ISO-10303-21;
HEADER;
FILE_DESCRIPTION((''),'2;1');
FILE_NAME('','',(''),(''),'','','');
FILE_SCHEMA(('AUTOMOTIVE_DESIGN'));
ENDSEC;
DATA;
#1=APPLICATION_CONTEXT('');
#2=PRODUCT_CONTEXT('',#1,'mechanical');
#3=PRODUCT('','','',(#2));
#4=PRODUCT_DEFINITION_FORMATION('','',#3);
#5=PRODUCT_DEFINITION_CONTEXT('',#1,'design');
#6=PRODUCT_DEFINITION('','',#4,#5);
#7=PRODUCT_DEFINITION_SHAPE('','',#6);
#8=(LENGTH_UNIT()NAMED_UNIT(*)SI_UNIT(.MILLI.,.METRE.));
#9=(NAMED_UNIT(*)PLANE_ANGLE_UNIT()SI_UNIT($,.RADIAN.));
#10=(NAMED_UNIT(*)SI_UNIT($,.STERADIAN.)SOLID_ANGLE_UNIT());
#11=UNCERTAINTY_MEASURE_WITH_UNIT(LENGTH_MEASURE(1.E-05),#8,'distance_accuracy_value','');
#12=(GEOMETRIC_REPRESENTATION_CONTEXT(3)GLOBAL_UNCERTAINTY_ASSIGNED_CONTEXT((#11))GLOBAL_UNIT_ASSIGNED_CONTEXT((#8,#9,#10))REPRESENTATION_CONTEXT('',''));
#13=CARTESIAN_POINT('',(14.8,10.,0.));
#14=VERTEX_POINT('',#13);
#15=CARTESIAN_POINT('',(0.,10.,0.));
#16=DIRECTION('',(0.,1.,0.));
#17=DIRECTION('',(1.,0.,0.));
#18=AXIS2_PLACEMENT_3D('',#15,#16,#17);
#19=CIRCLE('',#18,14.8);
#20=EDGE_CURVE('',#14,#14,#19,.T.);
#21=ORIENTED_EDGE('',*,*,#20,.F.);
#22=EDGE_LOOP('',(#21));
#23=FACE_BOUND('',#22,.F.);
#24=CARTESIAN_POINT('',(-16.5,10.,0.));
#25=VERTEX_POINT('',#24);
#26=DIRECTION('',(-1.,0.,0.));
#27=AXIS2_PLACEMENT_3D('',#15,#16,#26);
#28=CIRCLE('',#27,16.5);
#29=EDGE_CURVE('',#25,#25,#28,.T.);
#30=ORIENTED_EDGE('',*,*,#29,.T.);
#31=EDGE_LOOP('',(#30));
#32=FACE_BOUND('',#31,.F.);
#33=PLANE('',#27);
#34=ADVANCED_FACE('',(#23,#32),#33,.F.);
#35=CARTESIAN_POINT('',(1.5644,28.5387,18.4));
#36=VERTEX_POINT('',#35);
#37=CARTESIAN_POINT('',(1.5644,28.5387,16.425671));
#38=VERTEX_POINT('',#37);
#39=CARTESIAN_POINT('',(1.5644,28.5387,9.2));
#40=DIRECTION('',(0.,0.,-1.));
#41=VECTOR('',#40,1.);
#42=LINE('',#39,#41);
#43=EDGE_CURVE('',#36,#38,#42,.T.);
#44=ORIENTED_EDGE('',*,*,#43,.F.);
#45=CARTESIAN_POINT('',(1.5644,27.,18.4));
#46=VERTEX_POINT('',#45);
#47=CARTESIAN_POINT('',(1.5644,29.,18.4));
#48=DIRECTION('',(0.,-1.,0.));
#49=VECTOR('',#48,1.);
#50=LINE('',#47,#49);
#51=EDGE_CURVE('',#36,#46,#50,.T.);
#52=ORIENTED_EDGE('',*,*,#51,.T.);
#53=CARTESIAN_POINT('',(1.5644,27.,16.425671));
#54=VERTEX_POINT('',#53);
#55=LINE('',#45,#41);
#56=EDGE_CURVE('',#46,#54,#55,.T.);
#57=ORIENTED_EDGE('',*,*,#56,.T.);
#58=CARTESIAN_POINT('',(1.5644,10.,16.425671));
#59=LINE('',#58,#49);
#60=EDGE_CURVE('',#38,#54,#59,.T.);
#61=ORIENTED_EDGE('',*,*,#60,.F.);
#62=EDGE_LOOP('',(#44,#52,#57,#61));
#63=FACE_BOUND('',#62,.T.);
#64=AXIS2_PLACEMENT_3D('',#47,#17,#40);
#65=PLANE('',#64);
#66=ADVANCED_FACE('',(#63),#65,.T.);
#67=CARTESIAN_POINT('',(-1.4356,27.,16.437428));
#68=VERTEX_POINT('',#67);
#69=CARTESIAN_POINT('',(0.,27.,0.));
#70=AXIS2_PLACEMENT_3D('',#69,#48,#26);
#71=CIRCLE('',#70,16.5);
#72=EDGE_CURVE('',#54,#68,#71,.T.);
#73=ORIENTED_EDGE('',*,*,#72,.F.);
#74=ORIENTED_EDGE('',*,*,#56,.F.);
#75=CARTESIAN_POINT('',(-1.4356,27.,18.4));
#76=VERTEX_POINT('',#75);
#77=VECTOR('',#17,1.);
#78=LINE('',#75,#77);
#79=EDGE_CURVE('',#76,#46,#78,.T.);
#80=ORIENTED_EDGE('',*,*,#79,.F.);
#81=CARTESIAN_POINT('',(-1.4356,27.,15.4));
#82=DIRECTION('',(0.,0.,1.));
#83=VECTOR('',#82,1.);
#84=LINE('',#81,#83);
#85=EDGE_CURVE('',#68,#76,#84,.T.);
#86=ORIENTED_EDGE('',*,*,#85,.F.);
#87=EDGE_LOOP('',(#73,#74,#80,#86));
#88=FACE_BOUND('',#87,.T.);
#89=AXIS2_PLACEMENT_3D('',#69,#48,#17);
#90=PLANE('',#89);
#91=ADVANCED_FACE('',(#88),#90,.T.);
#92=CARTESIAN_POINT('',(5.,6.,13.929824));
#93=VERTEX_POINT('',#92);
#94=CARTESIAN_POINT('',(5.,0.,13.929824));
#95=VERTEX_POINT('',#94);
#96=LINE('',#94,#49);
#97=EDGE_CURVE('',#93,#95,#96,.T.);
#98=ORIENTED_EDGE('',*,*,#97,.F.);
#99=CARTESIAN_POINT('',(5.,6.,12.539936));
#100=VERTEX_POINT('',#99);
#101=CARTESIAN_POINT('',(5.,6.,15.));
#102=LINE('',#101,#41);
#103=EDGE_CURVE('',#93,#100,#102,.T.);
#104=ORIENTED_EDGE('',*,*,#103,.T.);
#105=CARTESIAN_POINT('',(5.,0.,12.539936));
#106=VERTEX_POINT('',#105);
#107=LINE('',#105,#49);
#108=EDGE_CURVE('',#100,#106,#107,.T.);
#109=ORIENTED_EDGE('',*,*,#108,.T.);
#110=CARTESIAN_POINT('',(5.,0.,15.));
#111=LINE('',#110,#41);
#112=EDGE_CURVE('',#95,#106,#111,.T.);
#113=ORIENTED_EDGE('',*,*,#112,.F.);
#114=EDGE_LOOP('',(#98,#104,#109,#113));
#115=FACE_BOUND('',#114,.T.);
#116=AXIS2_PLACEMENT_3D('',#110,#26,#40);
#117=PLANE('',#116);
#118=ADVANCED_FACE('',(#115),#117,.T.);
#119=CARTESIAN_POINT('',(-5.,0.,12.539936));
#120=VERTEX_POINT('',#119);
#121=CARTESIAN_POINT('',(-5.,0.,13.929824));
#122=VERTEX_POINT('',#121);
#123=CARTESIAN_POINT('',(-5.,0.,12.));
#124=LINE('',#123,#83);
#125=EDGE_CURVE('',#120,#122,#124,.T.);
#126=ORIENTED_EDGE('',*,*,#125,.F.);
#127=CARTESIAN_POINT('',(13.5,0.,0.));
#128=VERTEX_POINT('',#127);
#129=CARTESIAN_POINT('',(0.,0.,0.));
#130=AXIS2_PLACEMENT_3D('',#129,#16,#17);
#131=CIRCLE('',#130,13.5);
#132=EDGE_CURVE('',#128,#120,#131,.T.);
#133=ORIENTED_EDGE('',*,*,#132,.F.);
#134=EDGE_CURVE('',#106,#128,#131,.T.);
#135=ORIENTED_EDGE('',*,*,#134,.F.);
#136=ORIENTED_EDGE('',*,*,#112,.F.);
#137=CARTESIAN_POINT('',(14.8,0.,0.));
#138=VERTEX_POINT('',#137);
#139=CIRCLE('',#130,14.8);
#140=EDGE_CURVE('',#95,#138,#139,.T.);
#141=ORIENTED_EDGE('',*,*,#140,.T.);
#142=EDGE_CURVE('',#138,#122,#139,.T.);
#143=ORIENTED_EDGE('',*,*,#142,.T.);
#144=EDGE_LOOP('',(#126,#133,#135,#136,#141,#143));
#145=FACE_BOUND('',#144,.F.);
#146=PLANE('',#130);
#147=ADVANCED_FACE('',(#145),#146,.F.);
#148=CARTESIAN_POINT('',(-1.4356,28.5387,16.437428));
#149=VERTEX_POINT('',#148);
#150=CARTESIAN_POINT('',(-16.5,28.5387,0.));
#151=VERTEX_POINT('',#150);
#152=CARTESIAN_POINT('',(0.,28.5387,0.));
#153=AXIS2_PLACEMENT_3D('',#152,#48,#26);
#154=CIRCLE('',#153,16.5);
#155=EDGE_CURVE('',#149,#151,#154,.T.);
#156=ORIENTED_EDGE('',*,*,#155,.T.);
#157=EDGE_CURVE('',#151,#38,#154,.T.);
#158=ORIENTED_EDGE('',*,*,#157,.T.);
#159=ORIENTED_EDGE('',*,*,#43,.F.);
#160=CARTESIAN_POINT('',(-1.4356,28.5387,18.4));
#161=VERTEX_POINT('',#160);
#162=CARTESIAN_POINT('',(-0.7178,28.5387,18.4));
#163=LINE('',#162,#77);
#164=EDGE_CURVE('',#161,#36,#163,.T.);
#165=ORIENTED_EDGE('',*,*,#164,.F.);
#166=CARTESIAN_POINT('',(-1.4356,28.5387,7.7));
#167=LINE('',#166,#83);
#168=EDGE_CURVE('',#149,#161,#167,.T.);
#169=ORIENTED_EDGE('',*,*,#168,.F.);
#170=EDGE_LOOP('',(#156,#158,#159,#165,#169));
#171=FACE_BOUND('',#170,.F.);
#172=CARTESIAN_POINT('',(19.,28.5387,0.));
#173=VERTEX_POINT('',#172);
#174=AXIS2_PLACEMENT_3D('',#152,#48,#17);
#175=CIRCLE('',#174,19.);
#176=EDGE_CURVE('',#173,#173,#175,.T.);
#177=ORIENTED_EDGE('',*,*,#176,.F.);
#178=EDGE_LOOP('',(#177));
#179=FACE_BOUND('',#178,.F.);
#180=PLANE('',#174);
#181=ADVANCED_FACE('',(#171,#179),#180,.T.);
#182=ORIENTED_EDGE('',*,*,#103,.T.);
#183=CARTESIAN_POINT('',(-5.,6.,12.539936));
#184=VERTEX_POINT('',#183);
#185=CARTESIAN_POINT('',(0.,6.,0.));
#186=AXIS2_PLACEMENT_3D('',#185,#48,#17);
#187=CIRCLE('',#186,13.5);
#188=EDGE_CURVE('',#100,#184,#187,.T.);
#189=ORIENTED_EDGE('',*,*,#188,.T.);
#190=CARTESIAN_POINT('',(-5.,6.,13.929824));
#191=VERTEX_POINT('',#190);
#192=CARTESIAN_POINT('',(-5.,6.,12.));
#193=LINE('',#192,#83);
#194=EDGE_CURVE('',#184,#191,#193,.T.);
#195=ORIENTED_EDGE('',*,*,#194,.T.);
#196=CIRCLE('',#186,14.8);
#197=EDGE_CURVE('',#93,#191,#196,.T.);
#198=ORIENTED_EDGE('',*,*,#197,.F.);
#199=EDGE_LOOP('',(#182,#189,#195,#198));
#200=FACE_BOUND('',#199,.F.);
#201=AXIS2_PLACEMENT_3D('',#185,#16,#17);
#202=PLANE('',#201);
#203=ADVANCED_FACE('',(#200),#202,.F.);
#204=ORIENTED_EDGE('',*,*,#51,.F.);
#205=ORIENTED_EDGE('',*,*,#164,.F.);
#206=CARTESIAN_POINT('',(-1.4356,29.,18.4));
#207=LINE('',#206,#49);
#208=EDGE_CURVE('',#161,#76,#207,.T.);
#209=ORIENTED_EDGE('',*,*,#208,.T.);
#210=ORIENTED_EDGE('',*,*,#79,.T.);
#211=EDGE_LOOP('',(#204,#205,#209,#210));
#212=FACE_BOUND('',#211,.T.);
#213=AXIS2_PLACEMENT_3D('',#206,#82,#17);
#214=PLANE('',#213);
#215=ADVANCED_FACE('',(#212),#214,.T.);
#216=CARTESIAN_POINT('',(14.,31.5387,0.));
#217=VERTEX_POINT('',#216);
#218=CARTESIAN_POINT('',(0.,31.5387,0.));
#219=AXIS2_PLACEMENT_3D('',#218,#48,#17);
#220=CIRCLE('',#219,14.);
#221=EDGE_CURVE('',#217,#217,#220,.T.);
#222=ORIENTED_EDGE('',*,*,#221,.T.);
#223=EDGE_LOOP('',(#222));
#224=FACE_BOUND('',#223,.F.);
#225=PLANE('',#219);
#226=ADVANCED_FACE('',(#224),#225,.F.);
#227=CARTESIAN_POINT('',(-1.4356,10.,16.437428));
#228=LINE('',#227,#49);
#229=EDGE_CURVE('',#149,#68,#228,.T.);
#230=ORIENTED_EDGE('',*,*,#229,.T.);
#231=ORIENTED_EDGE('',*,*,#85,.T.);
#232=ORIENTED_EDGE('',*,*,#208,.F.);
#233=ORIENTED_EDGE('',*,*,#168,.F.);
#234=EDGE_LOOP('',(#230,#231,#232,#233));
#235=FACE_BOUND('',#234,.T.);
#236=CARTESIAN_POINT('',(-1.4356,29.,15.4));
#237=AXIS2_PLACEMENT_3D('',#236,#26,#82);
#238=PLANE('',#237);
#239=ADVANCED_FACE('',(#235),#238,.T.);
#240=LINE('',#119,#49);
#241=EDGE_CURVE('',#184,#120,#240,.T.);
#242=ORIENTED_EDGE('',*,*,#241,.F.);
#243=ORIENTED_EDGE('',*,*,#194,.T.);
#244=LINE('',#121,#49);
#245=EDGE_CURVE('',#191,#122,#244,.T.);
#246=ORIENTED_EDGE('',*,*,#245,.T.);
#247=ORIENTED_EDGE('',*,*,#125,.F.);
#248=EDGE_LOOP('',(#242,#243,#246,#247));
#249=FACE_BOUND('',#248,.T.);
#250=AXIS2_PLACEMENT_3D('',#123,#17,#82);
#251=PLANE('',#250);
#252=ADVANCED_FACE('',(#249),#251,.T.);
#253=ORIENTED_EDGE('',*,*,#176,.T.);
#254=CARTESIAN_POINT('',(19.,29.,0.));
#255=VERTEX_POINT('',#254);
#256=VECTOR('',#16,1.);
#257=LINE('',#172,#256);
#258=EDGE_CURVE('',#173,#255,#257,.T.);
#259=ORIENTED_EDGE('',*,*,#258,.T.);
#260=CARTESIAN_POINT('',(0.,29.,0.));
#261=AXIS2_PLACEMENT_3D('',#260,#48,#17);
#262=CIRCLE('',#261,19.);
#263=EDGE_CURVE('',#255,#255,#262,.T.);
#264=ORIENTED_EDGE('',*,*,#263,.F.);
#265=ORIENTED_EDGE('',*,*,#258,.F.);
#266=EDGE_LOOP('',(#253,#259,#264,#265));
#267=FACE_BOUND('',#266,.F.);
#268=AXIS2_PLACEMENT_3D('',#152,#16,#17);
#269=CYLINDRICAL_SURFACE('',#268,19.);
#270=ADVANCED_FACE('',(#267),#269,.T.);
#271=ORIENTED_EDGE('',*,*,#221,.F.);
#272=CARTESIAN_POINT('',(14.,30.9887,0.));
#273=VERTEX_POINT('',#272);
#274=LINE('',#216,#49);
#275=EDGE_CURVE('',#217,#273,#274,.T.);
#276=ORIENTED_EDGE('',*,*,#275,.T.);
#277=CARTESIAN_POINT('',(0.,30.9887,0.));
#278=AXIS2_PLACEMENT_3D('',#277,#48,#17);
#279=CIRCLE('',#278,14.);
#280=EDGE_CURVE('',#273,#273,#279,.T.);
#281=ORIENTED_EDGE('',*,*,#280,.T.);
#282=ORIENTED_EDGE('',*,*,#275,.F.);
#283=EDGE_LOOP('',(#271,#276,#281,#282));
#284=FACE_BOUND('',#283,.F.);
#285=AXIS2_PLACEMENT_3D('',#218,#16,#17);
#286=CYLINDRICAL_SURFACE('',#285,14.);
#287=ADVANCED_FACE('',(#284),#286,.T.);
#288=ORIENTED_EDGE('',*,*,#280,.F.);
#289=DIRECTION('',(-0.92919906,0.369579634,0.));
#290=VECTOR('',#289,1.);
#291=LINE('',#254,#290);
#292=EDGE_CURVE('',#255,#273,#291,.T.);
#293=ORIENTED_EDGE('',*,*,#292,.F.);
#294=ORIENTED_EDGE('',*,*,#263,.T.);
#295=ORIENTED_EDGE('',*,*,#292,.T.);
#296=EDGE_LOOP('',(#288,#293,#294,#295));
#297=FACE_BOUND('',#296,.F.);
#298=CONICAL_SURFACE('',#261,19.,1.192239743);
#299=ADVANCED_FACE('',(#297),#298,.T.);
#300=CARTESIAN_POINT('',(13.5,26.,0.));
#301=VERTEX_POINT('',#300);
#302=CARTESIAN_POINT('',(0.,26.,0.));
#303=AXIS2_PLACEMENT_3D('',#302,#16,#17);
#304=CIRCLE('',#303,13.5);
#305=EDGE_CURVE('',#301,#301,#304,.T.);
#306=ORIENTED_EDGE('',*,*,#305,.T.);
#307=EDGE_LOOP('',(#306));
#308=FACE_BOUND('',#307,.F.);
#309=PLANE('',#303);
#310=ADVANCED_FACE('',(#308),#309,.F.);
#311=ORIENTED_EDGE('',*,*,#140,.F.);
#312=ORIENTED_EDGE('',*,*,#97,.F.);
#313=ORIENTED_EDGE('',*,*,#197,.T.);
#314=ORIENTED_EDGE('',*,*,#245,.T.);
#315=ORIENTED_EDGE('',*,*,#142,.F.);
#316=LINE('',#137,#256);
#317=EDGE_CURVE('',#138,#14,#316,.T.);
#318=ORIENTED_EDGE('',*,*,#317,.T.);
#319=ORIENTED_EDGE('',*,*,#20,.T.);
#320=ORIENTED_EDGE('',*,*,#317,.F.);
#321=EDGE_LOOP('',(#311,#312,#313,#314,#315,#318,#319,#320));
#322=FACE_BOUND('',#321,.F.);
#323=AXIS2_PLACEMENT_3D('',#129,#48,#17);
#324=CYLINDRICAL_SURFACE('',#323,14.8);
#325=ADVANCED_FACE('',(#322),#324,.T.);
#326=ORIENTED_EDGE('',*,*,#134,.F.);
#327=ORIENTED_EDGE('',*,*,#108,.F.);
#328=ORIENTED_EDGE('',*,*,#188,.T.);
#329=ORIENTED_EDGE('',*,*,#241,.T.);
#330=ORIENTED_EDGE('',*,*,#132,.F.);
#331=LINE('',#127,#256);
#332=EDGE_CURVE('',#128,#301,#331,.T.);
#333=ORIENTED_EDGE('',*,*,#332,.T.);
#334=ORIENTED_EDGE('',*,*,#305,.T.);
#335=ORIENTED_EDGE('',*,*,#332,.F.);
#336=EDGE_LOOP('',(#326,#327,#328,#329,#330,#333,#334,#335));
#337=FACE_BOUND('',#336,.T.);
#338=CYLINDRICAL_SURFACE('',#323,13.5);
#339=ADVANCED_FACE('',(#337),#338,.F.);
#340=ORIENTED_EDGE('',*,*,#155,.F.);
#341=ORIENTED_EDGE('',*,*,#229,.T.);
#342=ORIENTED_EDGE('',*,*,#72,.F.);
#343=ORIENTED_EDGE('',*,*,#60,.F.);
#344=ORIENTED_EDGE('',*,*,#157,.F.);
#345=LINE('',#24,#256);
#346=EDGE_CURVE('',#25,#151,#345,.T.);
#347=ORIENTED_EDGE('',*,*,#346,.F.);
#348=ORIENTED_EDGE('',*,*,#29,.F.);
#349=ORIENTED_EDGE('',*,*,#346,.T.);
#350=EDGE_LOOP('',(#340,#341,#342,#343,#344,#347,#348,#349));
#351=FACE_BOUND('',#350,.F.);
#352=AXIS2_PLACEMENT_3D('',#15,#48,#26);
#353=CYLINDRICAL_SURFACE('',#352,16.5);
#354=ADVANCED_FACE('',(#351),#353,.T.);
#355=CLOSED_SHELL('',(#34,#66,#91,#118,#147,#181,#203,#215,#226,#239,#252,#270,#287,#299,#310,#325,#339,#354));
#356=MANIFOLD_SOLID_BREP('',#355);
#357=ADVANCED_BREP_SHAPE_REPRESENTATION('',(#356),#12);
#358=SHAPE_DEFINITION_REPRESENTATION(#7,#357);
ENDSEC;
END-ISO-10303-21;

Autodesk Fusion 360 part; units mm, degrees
sketch "スケッチ1" plane through (0, 0, 0) normal (0, 1, 0) x (1, 0, 0)
  circle A0 centre (0, 0) radius 14.8
  curve L0
  dimension "d1" = 29.6
extrude "押し出し1" add sketch "スケッチ1" along normal blind 10 makes body 1
sketch "スケッチ2" plane through (0, 10, 0) normal (0, 1, 0) x (-1, 0, 0)
  circle A0 centre (0, 0) radius 14.8
  circle A1 centre (0, 0) radius 16.5
  line L0 (1.8, 16.1642) -> (-1.8, 16.1642)
  line L1 (-2, 15.9642) -> (-2, 14.6642)
  line L2 (-2, 14.6642) -> (2, 14.6642)
  line L3 (2, 14.6642) -> (2, 15.9642)
  circle A2 centre (0, 0) radius 14.8
  arc A3 (-1.8, 16.1642) -> (-2, 15.9642) centre (-1.8, 15.9642) ccw
  arc A4 (2, 15.9642) -> (1.8, 16.1642) centre (1.8, 15.9642) ccw
  curve L4
  point P0 (2, 16.1642)
  point P1 (-2, 16.1642)
  dimension "d4" = 33
  dimension "d38" = 4
  dimension "d39" = 1.5
  dimension "d40" = 0.2
  dimension "d41" = 0.2
extrude "押し出し2" add sketch "スケッチ2" along normal blind 19 contours A0 L2 A2 | A0 L2 A2 | A0 L0 L1 L3 A2 A3 A4 | A1 bodies 1
ref_plane "作業平面1" through (0, 24, 0) normal (0, 1, 0) x (-1, 0, 0)
sketch "スケッチ3" plane through (0, 24, 0) normal (0, 1, 0) x (1, 0, 0)
ref_plane "作業平面2" through (0, 29, 0) normal (0, -1, 0) x (-1, 0, 0)
sketch "スケッチ8" plane through (0, 0, 0) normal (0, 0, 1) x (1, 0, 0)
  line L0 (0, 28.5387) -> (19, 28.5387)
  line L1 (19, 28.5387) -> (19, 29)
  line L2 (19, 29) -> (14, 30.9887)
  line L3 (14, 30.9887) -> (0, 30.9887)
  line L4 (0, 30.9887) -> (0, 28.5387)
  curve L5
  line L6 (0, 1.75) -> (0, 22.5)
  dimension "d26" = 2.45
  dimension "d30" = 14
revolve "回転1" add sketch "スケッチ8" angle 360 about axis through (0, 30.9887, 0) along (0, -1, 0) bodies 1
ref_plane "作業平面9" through (0, 31.5387, 0) normal (0, -1, 0) x (0, 0, -1)
sketch "スケッチ11" plane through (0, 31.5387, 0) normal (0, -1, 0) x (1, 0, 0)
  circle A0 centre (0, 0) radius 14
  dimension "d29" = 28
extrude "押し出し6" add sketch "スケッチ11" along normal blind 1 bodies 1
sketch "スケッチ16" plane through (0, 29, 0) normal (0, -1, 0) x (1, 0, 0)
  line L0 (-1.4356, 18.4) -> (1.5644, 18.4)
  line L1 (1.5644, 18.4) -> (1.5644, 15.4)
  line L2 (1.5644, 15.4) -> (-1.4356, 15.4)
  line L3 (-1.4356, 15.4) -> (-1.4356, 18.4)
  curve L4
  dimension "d48" = 3
  dimension "d49" = 18.4
  dimension "d50" = 3
extrude "押し出し8" add sketch "スケッチ16" along normal blind 2 bodies 1
sketch "スケッチ19" plane through (0, 0, 0) normal (0, 1, 0) x (1, 0, 0)
  circle A0 centre (0, 0) radius 13.5
  dimension "d53" = 27
extrude "押し出し9" cut sketch "スケッチ19" along normal blind 26 bodies 1
sketch "スケッチ20" plane through (0, 0, 0) normal (0, 1, 0) x (1, 0, 0)
  line L0 (-5, -15) -> (5, -15)
  line L1 (5, -15) -> (5, -12)
  line L2 (5, -12) -> (-5, -12)
  line L3 (-5, -12) -> (-5, -15)
  line L4 (0, -1.75) -> (0, -22.5)
  dimension "d56" = 10
  dimension "d58" = 3
  dimension "d59" = 15
extrude "押し出し10" cut sketch "スケッチ20" along normal blind 6 bodies 1
copy_body "ボディ -> コンポーネント1" bodies 1 removing the originals makes body 2 in component "btn"
thread "ねじ1" in component "btn"
component "btn" placed x (1, 0, 0) y (0, 1, 0) z (0, 0, 1) at (0, 0, 0)
